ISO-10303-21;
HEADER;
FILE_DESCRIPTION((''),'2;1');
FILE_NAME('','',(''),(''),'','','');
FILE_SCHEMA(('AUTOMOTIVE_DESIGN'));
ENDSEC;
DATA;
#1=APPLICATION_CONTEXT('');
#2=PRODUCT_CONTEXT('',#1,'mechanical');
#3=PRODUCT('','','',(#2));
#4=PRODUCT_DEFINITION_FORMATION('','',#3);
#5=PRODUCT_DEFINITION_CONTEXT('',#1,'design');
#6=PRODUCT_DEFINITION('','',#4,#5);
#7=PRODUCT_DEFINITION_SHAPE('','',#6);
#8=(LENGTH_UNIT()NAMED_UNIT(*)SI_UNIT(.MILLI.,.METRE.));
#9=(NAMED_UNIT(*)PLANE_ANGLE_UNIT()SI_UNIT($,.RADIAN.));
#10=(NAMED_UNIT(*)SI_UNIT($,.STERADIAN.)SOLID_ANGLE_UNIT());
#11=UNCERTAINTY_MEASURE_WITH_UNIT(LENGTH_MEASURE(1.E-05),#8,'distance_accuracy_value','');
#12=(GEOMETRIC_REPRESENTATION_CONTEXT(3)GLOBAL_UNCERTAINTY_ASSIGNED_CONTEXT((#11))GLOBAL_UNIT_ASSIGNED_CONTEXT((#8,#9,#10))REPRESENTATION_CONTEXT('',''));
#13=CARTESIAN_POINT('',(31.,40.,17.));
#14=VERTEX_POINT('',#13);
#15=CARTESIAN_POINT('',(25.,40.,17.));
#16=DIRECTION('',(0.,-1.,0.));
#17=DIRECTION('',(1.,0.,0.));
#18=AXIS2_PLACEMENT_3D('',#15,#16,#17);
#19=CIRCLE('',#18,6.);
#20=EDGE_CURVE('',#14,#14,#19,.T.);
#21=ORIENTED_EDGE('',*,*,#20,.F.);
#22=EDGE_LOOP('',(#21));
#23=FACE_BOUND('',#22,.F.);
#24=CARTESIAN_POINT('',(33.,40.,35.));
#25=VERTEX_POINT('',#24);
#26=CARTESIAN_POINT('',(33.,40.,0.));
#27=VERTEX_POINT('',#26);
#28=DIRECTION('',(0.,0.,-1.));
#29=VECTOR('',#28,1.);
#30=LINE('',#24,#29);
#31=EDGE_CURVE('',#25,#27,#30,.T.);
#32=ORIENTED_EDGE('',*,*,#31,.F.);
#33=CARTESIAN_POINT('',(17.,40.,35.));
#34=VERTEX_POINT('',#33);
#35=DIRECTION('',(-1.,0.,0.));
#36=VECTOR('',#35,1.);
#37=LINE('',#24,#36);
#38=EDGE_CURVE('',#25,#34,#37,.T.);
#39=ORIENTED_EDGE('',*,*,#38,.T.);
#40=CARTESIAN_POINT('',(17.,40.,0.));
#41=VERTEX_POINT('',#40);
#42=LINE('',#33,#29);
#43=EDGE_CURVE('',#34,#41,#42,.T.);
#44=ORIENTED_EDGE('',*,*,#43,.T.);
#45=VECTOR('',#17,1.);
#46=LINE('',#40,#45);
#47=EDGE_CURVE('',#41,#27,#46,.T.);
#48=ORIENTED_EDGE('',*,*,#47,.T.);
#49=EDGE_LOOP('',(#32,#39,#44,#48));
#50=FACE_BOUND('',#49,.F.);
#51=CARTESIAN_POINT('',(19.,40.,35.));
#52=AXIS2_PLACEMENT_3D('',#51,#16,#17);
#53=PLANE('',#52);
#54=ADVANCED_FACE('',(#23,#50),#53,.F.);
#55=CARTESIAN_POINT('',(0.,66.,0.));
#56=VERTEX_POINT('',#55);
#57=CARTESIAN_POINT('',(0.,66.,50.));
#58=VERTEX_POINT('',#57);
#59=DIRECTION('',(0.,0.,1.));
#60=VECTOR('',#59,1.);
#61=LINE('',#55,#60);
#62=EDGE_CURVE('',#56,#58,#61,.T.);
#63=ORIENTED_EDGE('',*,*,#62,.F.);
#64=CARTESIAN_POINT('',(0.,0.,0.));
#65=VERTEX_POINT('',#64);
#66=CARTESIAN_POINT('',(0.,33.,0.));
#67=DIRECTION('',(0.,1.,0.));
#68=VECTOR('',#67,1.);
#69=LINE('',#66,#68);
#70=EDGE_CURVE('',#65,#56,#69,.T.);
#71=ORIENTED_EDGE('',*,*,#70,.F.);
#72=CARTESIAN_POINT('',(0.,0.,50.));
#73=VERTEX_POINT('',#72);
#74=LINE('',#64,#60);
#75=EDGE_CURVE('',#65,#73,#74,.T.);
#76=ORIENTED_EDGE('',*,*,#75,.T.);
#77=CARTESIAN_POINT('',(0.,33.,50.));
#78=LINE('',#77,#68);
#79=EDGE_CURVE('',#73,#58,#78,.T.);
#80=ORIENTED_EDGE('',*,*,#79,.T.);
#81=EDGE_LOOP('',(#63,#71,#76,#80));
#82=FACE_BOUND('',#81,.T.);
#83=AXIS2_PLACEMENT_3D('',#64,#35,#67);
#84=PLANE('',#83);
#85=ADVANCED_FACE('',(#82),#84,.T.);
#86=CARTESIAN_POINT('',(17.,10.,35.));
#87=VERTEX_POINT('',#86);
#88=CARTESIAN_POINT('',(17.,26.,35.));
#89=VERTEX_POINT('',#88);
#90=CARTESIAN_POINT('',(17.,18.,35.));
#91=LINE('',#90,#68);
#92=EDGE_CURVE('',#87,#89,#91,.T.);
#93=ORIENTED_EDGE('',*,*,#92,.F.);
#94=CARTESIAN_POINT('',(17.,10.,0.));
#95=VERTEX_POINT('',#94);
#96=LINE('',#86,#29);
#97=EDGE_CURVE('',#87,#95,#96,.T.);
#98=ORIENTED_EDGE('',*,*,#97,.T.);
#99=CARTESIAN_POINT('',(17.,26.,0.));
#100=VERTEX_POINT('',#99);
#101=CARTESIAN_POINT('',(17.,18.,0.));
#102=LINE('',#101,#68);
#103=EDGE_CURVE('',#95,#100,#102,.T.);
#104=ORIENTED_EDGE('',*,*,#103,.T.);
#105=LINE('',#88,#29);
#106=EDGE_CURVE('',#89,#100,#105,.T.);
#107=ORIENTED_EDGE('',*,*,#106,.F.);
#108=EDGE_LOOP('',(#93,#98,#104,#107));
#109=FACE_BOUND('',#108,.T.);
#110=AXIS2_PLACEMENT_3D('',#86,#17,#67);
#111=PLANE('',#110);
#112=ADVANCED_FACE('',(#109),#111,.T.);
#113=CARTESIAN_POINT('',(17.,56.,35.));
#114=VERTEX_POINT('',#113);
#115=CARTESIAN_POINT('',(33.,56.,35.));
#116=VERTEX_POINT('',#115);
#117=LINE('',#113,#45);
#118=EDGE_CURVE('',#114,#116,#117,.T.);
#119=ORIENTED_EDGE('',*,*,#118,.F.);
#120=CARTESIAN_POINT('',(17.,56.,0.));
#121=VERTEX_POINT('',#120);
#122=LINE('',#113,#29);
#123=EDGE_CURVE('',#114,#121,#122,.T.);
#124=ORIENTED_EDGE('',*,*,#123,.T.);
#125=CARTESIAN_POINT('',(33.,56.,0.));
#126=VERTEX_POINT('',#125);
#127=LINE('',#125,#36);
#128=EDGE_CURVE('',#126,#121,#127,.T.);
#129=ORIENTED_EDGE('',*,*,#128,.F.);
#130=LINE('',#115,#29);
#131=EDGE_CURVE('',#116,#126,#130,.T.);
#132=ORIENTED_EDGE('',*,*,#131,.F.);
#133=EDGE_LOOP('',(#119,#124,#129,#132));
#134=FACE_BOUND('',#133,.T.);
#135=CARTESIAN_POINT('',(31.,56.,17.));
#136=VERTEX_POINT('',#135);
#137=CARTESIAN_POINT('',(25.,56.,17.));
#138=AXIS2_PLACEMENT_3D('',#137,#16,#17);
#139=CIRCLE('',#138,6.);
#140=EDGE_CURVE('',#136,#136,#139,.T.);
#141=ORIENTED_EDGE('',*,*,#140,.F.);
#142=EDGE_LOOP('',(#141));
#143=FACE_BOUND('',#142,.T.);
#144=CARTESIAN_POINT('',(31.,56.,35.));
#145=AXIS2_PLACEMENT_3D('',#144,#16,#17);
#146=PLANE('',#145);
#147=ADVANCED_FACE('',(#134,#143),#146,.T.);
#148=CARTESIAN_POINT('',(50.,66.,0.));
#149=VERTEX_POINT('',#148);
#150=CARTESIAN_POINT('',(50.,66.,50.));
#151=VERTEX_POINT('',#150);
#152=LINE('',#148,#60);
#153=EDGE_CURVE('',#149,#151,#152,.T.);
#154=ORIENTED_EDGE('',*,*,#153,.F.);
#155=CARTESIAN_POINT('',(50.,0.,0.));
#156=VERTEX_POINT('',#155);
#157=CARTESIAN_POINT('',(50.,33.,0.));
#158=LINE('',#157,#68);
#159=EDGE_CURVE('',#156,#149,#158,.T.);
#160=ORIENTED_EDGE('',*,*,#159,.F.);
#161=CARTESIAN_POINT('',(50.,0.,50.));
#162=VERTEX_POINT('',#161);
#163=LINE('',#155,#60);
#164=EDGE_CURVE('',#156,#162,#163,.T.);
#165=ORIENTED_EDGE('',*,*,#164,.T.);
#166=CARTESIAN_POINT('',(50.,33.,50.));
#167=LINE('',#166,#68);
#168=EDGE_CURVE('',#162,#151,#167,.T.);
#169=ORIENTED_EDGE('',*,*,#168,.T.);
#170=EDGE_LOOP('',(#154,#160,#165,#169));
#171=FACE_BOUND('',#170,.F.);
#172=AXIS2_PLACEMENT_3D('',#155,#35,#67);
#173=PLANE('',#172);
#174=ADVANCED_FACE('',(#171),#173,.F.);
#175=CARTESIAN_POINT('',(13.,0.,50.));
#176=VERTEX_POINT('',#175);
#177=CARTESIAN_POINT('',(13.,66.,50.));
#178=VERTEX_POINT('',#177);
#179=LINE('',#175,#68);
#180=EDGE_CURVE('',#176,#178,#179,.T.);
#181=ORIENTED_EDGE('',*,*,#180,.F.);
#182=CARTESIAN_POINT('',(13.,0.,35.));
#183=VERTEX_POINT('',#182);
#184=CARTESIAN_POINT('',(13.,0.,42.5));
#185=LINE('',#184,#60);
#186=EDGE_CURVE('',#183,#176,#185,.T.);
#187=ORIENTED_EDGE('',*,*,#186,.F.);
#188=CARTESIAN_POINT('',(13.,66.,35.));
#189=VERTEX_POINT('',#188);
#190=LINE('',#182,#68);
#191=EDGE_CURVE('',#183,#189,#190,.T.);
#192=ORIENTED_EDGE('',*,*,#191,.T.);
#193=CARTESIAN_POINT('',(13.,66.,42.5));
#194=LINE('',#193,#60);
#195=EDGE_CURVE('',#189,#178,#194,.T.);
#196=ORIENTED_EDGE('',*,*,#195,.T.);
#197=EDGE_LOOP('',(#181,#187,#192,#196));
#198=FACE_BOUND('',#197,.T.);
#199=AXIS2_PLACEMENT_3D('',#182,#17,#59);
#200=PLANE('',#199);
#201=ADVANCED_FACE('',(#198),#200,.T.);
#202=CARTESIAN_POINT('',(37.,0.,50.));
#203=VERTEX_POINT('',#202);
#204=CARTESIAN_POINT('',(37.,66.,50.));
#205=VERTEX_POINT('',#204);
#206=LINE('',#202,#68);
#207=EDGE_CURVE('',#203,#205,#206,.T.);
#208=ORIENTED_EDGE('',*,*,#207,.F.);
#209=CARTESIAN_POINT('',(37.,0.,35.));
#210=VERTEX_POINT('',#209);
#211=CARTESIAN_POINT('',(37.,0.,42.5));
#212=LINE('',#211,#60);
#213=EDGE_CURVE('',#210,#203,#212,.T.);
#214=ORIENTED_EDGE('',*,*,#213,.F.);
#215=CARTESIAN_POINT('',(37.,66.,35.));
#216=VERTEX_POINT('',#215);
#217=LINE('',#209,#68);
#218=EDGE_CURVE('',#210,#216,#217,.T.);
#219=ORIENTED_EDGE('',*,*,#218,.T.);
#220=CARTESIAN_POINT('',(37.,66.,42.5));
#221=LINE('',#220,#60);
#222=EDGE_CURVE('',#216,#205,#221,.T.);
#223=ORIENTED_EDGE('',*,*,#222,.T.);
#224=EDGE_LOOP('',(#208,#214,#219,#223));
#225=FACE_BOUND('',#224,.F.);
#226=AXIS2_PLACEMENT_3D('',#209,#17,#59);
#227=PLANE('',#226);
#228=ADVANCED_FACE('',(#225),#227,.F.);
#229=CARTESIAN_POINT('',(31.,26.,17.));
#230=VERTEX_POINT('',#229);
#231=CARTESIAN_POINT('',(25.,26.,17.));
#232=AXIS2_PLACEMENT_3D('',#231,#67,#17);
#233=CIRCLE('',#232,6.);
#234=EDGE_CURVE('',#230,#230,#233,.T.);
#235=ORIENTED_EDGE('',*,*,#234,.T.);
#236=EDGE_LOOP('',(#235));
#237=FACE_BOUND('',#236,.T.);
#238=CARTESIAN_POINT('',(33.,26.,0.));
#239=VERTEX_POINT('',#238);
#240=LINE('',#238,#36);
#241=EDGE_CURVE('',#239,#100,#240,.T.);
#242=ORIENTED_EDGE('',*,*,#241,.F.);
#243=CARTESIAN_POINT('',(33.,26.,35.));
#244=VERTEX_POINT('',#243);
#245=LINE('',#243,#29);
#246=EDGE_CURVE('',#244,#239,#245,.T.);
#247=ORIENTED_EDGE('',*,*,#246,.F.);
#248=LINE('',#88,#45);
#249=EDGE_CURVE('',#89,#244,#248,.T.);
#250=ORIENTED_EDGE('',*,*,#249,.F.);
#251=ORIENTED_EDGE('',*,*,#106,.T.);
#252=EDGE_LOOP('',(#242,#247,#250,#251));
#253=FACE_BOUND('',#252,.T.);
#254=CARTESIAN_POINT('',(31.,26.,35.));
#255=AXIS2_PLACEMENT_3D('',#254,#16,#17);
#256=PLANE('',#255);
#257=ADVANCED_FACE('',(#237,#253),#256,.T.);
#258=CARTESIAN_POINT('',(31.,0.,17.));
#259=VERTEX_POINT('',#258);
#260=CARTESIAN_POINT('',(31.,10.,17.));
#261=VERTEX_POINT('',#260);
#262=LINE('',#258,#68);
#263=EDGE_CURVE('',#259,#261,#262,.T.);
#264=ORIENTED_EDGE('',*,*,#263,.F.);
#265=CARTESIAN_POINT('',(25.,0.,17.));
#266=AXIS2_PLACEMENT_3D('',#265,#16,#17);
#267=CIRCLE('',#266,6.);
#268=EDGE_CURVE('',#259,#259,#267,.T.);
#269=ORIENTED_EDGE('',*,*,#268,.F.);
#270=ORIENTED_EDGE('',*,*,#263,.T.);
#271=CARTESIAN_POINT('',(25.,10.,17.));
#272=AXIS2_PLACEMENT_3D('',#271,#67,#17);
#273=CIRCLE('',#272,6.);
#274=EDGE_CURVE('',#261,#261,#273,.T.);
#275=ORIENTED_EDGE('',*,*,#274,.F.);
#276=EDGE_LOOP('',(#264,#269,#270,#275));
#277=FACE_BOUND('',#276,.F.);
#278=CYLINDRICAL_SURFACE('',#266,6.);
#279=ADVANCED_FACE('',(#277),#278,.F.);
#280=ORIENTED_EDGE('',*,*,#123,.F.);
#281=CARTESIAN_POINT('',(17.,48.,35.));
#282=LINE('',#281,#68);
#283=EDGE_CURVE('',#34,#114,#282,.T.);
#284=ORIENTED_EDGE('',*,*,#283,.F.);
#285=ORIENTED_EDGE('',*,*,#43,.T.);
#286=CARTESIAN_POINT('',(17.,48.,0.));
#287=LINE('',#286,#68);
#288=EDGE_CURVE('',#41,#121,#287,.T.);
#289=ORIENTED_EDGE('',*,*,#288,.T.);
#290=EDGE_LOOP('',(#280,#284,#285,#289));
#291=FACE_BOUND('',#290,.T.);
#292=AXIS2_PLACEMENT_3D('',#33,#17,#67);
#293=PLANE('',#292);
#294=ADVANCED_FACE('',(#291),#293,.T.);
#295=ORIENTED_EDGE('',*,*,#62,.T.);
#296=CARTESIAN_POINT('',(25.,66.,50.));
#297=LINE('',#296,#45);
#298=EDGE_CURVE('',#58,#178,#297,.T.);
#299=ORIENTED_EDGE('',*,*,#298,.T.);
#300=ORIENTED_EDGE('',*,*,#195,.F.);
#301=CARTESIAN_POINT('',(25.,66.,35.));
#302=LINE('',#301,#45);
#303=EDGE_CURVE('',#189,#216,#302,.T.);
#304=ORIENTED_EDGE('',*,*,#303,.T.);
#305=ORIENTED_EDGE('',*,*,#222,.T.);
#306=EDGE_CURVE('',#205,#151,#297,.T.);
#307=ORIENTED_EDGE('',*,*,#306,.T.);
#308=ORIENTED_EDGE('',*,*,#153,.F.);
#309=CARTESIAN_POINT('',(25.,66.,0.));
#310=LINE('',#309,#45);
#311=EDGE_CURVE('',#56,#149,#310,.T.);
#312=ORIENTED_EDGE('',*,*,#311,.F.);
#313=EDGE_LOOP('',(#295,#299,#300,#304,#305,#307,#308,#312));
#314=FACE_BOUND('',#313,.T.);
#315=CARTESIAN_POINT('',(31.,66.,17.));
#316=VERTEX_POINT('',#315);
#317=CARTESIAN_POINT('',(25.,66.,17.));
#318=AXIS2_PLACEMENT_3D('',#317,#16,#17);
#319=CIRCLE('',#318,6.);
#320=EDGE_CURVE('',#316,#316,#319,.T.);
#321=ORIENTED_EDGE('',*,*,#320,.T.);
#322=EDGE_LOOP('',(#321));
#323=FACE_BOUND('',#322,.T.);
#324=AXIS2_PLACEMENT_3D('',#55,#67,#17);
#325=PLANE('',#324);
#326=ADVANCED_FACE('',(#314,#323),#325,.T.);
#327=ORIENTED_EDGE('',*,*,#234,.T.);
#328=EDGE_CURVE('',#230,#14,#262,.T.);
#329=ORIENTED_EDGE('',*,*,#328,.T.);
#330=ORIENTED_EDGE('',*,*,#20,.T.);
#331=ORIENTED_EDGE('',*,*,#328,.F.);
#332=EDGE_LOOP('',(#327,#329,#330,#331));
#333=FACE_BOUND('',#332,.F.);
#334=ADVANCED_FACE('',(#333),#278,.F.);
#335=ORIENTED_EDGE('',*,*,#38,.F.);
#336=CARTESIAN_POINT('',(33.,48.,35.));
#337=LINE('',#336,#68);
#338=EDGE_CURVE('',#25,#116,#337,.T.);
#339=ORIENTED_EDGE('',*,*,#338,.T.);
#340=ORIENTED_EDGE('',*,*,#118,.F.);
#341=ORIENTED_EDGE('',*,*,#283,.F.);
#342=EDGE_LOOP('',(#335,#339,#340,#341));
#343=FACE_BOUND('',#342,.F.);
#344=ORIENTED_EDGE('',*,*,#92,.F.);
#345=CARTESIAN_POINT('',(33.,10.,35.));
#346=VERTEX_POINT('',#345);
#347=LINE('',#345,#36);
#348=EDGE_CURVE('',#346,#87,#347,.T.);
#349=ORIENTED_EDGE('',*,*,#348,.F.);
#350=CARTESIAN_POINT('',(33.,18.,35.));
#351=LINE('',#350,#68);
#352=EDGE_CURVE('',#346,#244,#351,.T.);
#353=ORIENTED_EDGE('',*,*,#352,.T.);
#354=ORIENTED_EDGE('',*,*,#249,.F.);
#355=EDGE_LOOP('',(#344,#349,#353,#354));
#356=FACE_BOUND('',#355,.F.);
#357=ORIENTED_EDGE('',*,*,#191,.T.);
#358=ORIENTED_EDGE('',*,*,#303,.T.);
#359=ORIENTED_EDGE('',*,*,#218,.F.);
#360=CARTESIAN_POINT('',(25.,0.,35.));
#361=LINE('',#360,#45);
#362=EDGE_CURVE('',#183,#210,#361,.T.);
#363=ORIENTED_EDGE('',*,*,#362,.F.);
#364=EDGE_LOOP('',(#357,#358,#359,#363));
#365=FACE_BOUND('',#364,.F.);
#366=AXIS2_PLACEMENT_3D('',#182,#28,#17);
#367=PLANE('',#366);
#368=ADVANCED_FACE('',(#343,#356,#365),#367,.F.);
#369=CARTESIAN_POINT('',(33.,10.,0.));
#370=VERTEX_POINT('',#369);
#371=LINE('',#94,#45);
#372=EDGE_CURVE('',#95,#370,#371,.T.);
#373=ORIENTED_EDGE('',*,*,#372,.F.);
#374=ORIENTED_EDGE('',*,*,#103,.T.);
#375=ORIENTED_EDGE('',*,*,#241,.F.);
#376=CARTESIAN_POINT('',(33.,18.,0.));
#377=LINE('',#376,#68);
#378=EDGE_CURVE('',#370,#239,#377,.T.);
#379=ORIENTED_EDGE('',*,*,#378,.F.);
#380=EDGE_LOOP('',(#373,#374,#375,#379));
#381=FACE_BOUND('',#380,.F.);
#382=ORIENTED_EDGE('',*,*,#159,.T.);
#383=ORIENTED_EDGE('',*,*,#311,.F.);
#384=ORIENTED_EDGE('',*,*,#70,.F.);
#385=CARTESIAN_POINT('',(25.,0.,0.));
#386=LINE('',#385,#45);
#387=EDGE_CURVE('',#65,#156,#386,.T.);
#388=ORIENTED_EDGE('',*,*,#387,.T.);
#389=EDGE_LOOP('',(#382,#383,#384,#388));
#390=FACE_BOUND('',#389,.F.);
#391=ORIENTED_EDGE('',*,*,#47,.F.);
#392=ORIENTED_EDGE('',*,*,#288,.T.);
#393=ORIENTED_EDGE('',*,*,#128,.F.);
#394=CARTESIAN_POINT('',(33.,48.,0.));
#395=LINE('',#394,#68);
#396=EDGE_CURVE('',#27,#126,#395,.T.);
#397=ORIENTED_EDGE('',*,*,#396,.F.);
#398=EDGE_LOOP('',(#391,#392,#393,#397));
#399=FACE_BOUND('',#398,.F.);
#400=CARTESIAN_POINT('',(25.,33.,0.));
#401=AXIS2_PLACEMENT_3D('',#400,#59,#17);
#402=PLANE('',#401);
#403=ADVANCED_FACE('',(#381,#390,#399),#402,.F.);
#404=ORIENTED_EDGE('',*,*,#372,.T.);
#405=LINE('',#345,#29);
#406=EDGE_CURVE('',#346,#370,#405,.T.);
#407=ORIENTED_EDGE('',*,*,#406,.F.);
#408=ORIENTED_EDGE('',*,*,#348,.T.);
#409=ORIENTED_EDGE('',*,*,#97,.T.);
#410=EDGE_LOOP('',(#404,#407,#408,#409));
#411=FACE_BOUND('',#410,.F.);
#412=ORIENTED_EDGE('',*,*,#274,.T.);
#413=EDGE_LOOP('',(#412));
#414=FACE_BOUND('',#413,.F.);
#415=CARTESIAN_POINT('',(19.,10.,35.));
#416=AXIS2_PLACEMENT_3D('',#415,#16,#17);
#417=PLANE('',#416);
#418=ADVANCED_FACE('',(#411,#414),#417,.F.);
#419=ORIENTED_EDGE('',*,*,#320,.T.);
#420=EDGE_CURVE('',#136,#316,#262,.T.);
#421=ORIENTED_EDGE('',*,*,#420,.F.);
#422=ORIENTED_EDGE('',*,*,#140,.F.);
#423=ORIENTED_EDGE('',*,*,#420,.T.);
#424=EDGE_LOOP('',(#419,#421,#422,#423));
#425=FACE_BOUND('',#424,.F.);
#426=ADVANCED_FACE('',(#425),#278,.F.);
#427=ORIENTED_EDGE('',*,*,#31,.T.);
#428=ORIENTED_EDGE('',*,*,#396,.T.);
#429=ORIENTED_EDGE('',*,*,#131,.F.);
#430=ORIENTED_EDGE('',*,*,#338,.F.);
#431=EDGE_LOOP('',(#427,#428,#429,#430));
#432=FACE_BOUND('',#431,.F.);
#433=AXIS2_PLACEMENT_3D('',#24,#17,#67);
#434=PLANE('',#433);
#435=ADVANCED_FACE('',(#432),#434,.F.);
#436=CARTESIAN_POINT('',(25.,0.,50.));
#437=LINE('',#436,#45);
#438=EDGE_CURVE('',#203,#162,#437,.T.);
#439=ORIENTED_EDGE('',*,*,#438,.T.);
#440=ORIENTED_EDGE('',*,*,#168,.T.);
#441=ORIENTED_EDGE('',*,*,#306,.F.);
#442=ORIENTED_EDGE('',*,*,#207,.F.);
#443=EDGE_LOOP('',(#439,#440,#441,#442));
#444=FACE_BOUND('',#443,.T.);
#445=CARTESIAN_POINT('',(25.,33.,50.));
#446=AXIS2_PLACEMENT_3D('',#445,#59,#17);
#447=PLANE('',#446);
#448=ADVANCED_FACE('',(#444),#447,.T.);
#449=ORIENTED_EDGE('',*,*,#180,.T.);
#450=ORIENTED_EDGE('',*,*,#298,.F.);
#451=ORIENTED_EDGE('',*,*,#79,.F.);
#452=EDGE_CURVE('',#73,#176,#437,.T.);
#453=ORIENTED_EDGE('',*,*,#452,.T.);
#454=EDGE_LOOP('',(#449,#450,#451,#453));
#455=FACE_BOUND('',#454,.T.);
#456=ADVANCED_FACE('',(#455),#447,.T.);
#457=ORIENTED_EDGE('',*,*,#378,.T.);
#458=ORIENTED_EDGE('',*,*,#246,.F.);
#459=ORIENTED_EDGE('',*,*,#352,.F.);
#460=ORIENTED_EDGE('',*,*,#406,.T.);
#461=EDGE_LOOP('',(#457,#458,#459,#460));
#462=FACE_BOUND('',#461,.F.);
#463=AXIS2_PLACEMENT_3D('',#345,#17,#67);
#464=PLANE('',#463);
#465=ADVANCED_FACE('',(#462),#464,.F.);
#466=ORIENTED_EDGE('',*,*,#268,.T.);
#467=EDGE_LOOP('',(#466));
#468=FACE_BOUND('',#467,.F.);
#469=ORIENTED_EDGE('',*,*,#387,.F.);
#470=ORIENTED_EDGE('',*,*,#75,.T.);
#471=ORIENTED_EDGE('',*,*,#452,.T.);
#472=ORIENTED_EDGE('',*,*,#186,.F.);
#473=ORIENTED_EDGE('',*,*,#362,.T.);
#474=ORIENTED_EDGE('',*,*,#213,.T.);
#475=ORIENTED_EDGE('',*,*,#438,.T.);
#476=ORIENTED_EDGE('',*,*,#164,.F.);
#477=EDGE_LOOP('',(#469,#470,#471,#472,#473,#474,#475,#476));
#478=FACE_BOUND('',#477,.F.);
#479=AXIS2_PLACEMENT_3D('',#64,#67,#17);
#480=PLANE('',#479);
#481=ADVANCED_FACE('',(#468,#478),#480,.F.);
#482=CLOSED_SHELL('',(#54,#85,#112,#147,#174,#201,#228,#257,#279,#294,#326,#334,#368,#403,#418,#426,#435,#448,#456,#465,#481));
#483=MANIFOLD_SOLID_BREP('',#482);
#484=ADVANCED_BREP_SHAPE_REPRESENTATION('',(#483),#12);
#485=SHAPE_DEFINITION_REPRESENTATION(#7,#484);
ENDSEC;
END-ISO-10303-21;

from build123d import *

# Parameters (mm, degrees)
F0_W     = 50
F0_H     = 66
F1_DEPTH = 50
F2_W     = 24
F2_H     = 15
F3_DEPTH = 66
F4_R     = 6
F5_DEPTH = 66
F6_W     = 12
F6_H     = 16
F7_DEPTH = 35
F8_W     = 2
F8_H     = 16
F9_DEPTH = 35


with BuildPart() as f1:
    # F0 (on Top) → F1 (new body)
    with BuildSketch(Plane.XY):
        with Locations((25, 33)):
            Rectangle(F0_W, F0_H)
    extrude(amount=F1_DEPTH)

    # F2 (on face) → F3 (cut)
    with BuildSketch(Plane.XZ):
        with Locations((25, 42.5)):
            Rectangle(F2_W, F2_H)
    extrude(amount=-F3_DEPTH, mode=Mode.SUBTRACT)

    # F4 (on face) → F5 (cut)
    with BuildSketch(Plane.XZ):
        with Locations((25, 17)):
            Circle(F4_R)
    extrude(amount=-F5_DEPTH, mode=Mode.SUBTRACT)

    # F6 (on face) → F7 (cut)
    with BuildSketch(Plane.XY.offset(35)):
        with Locations((25, 48)):
            Rectangle(F6_W, F6_H)
        with Locations((25, 18)):
            Rectangle(F6_W, F6_H)
    extrude(amount=-F7_DEPTH, mode=Mode.SUBTRACT)

    # F8 (on face) → F9 (cut)
    with BuildSketch(Plane.XY.offset(35)):
        with Locations((18, 48)):
            Rectangle(F8_W, F8_H)
        with Locations((32, 48)):
            Rectangle(F8_W, F8_H)
        with Locations((18, 18)):
            Rectangle(F8_W, F8_H)
        with Locations((32, 18)):
            Rectangle(F8_W, F8_H)
    extrude(amount=-F9_DEPTH, mode=Mode.SUBTRACT)


solid = f1.part
